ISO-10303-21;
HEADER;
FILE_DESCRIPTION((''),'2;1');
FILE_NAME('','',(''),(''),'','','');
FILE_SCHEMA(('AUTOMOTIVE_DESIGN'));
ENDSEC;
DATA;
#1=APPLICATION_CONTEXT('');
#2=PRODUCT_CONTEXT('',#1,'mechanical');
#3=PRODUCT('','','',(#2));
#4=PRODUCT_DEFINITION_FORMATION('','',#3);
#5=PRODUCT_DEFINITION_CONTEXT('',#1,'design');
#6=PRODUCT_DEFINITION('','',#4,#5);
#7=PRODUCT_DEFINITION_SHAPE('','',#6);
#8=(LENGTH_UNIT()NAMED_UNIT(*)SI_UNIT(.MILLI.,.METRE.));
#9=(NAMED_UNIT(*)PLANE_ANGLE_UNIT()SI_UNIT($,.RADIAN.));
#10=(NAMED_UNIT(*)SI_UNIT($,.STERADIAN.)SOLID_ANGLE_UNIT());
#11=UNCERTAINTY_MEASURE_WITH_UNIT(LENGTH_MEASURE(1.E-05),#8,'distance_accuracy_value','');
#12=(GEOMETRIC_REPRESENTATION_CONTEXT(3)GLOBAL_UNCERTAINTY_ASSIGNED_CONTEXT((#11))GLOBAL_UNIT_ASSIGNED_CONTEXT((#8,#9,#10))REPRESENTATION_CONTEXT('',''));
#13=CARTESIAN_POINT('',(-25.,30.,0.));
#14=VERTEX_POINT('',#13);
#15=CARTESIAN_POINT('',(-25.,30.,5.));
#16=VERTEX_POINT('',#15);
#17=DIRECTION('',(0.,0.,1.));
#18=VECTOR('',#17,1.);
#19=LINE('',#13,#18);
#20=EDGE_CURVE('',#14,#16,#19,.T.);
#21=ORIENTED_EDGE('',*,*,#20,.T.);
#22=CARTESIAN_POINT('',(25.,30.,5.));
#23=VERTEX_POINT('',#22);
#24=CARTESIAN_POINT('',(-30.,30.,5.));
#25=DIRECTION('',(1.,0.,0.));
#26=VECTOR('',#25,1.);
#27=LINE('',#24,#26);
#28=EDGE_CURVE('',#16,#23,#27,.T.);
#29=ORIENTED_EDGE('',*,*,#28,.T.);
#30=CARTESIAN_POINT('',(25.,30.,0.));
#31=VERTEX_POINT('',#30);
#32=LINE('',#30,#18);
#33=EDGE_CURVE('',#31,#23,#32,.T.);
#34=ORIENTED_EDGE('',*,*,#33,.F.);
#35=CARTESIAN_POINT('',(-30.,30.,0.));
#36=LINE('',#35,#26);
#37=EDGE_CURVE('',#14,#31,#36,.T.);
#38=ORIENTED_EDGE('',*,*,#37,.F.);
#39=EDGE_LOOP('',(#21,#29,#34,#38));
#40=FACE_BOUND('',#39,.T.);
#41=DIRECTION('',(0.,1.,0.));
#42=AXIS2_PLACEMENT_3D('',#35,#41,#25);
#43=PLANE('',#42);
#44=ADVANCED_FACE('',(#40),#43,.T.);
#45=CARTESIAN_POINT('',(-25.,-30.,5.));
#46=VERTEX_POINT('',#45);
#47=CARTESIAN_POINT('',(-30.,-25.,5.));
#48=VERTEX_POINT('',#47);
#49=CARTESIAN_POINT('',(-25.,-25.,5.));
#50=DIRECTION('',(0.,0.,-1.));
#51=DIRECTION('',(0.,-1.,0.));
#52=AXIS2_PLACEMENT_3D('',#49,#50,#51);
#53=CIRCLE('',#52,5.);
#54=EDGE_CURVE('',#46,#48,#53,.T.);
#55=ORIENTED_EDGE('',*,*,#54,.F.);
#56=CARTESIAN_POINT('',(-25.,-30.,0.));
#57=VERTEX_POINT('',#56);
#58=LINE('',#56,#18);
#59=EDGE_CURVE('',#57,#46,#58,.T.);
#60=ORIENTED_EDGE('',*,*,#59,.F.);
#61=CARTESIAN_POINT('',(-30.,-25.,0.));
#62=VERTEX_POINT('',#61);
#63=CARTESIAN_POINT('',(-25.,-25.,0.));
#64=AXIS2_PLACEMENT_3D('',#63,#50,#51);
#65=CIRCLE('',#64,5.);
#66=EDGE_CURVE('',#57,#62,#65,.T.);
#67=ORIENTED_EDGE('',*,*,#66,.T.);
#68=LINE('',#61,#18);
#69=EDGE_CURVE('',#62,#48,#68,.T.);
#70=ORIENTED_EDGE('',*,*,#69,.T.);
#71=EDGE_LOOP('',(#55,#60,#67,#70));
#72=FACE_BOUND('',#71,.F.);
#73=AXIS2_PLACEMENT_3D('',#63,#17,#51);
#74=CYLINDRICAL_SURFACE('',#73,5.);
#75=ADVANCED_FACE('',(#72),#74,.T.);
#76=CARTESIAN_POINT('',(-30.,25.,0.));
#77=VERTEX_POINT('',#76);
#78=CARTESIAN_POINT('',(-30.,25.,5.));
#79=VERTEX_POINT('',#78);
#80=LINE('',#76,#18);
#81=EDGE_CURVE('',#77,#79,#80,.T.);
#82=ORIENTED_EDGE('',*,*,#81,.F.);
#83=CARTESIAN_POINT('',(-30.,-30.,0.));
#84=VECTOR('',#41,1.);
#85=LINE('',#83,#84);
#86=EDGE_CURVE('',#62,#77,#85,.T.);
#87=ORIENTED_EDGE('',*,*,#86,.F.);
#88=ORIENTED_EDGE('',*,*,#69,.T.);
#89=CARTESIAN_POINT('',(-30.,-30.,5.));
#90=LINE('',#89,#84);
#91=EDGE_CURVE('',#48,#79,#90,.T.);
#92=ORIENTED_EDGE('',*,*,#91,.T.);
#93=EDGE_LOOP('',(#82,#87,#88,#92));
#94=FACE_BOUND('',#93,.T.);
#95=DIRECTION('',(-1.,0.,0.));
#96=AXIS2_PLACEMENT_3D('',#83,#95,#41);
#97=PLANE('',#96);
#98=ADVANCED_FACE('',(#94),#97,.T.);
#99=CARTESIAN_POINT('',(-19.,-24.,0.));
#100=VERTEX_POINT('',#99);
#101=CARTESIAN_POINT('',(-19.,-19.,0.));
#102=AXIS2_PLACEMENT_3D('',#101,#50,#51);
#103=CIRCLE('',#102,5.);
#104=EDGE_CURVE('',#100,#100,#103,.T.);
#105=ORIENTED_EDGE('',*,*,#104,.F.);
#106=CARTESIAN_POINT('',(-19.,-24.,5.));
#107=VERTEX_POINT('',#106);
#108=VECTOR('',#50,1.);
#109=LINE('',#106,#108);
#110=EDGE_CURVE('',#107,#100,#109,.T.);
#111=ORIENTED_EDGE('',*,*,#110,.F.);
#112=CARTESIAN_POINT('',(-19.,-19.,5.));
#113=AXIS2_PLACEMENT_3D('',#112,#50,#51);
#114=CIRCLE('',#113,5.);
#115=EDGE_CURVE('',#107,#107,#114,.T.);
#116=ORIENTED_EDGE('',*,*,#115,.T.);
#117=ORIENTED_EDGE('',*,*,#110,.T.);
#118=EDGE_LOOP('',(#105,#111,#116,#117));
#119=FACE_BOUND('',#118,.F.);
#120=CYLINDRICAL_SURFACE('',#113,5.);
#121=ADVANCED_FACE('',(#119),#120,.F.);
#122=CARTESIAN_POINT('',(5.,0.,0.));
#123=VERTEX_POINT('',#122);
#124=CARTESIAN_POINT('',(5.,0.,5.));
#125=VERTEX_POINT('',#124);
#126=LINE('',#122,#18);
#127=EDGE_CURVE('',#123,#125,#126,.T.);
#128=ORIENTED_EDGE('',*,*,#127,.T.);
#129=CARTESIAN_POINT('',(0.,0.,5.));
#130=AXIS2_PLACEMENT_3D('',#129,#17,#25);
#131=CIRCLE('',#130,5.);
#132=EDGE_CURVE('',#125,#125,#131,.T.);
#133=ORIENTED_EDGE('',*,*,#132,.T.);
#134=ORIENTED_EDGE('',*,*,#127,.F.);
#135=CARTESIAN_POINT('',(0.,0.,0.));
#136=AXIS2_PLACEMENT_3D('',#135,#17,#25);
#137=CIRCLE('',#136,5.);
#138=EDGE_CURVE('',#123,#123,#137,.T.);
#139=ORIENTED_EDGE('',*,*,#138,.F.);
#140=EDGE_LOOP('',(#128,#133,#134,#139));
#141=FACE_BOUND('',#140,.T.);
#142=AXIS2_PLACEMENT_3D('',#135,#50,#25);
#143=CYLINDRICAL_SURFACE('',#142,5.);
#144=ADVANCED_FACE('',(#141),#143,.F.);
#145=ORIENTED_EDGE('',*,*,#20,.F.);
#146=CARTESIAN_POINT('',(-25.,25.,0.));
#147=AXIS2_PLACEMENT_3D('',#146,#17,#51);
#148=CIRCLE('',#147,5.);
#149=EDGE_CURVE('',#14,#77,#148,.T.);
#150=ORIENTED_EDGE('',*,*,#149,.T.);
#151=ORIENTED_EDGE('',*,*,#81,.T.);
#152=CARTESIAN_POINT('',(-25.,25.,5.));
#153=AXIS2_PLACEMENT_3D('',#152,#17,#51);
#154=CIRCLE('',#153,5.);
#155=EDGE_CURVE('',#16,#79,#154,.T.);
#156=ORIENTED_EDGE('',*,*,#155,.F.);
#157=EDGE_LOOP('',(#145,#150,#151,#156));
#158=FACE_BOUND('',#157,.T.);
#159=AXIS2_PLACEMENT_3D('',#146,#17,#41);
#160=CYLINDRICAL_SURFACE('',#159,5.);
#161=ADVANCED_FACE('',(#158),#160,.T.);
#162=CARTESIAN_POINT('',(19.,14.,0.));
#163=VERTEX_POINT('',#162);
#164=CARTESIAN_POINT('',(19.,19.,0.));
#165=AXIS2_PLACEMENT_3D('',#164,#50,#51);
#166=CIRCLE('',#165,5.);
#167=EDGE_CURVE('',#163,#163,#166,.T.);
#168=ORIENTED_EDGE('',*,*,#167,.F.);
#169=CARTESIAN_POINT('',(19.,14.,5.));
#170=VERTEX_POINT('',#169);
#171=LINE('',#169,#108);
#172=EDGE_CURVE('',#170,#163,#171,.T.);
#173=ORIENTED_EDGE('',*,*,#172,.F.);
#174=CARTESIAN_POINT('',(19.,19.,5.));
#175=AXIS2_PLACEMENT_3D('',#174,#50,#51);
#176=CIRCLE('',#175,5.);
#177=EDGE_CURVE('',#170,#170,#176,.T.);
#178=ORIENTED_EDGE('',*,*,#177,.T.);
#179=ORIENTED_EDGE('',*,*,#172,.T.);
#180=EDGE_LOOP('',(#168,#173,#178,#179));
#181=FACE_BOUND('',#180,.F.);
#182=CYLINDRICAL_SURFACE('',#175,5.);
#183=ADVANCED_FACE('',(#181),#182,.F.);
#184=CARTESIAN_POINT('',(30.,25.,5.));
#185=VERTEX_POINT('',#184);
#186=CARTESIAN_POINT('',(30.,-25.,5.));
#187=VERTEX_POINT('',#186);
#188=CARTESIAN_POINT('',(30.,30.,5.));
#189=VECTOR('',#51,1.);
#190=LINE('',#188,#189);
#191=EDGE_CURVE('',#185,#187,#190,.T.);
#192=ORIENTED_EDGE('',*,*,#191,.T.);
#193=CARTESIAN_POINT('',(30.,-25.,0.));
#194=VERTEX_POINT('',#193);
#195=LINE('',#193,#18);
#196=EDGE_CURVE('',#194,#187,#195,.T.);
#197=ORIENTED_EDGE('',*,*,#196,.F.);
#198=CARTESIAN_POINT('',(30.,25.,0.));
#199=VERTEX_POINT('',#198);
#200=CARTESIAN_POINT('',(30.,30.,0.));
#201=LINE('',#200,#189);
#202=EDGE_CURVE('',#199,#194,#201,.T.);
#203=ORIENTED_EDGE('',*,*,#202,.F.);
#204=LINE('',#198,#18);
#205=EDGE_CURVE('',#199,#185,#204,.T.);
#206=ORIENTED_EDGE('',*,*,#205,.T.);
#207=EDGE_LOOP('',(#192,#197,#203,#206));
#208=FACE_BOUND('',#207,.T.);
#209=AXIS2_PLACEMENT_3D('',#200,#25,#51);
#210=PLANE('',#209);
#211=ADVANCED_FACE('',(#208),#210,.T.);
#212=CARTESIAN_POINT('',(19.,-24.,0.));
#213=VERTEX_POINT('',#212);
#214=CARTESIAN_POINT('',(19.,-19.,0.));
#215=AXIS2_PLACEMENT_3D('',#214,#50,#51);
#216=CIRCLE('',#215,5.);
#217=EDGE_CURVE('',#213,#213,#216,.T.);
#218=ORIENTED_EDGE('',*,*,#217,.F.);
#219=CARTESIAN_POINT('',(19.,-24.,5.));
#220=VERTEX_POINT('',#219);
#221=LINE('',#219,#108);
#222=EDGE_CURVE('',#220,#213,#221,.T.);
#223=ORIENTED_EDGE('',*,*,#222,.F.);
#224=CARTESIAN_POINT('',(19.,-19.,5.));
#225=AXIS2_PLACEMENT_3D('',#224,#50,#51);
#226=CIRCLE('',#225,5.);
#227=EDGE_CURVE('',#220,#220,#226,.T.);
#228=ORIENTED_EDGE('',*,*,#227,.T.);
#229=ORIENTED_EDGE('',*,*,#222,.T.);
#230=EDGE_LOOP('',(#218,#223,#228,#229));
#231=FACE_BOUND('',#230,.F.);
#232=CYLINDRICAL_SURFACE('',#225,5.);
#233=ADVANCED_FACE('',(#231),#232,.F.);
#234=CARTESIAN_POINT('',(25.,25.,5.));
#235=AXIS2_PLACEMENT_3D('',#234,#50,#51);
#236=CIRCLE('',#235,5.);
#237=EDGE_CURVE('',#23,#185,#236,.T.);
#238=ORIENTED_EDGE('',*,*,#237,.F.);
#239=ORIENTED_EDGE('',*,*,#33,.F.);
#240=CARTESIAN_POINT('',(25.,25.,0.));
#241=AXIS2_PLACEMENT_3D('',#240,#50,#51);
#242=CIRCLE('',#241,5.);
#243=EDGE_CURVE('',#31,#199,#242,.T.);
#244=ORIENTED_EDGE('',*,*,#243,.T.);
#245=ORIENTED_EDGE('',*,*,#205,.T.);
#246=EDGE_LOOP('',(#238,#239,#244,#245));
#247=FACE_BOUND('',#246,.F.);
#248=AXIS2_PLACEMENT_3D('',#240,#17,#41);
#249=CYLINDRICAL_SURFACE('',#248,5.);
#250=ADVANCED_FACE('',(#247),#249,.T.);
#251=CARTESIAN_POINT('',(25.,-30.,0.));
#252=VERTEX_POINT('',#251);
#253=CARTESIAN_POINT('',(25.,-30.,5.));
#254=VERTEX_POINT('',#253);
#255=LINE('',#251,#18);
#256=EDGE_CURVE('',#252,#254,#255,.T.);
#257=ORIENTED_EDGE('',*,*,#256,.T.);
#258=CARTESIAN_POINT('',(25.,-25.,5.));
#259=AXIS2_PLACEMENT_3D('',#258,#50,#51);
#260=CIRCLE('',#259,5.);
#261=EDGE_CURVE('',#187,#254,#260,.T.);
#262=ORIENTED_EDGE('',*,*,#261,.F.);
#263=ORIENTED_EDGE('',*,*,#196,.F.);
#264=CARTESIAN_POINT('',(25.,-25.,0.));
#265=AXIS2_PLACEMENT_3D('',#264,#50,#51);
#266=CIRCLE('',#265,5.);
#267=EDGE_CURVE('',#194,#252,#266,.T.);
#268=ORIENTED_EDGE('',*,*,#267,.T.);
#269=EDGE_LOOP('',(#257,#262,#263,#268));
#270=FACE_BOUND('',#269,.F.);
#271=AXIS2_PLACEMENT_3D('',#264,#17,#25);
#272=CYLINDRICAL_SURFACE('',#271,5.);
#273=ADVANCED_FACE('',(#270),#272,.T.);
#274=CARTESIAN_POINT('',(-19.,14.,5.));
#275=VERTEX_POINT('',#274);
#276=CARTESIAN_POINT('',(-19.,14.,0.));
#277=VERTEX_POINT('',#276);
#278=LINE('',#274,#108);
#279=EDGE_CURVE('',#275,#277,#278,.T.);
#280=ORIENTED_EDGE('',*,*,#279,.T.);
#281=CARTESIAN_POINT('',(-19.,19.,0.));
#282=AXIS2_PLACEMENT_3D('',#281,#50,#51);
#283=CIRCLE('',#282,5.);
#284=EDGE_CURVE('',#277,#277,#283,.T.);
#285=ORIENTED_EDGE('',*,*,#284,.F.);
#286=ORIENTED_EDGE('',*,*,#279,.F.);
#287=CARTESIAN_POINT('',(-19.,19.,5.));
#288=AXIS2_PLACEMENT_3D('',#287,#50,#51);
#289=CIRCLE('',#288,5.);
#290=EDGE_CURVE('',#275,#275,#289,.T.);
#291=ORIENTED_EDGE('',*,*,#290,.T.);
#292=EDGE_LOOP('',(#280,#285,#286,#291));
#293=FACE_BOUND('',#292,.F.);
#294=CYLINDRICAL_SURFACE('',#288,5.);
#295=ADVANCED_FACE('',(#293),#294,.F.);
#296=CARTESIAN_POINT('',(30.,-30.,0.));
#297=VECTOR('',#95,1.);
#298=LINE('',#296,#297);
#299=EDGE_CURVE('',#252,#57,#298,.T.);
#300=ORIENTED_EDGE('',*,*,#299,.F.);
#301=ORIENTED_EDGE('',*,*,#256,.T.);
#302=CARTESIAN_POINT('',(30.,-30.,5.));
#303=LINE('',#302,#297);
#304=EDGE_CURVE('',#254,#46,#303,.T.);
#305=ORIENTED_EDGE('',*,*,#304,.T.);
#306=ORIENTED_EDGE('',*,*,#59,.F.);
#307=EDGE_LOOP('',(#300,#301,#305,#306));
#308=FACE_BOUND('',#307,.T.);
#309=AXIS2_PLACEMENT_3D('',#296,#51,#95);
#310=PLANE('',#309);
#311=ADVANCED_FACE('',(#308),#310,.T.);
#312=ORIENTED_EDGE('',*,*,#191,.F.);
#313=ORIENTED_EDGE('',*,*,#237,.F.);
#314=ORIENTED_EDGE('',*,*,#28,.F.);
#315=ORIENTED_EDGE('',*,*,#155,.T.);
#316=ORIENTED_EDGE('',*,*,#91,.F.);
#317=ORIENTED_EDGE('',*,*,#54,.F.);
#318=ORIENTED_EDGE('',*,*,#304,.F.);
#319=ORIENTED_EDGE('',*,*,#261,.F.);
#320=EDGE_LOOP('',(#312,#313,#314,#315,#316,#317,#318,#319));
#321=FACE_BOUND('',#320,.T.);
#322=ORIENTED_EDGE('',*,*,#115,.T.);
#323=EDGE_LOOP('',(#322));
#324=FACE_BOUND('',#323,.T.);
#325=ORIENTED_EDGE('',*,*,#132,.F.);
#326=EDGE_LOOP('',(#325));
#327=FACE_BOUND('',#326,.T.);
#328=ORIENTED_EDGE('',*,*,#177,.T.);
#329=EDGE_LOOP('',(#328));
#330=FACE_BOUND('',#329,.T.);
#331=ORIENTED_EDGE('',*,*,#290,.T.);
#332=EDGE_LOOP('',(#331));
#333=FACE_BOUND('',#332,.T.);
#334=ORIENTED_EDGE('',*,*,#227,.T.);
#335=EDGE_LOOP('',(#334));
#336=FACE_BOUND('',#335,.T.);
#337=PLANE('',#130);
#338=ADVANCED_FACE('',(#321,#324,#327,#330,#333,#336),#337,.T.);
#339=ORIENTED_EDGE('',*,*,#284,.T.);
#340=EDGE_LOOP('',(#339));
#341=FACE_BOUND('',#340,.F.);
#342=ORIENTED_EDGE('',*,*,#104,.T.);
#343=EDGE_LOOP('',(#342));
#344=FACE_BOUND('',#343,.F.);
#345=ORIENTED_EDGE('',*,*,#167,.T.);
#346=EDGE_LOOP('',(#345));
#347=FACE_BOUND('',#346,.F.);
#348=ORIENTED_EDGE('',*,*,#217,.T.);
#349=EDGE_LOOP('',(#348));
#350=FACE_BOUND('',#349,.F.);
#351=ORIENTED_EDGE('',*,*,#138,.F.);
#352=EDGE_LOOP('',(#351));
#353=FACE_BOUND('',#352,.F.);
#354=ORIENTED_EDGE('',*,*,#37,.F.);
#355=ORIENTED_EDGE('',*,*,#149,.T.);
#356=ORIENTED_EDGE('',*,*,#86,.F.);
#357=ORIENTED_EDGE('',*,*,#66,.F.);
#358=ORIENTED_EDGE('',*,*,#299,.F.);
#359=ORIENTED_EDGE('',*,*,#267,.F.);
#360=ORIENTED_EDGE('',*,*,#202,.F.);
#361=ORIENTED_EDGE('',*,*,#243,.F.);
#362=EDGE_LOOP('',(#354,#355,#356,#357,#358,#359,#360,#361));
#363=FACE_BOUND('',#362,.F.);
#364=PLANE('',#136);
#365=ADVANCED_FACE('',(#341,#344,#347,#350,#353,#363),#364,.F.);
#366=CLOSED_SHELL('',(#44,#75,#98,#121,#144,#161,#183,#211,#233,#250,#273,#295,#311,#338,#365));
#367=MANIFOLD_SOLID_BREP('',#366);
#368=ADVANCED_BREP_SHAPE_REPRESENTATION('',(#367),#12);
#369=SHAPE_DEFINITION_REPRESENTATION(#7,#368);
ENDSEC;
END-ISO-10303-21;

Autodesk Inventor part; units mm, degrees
ref_plane "YZ Plane" through (0, 0, 0) normal (1, 0, 0) x (0, 1, 0)
ref_plane "XZ Plane" through (0, 0, 0) normal (0, 1, 0) x (-1, 0, 0)
ref_plane "XY Plane" through (0, 0, 0) normal (0, 0, 1) x (1, 0, 0)
sketch "Schizzo1" plane through (0, 0, 0) normal (0, 0, 1) x (1, 0, 0)
  line L0 (-30, 30) -> (30, 30)
  line L1 (30, 30) -> (30, -30)
  line L2 (30, -30) -> (-30, -30)
  line L3 (-30, -30) -> (-30, 30)
  line L4 (-30, 30) -> (30, -30) construction
  line L5 (30, 30) -> (-30, -30) construction
  circle A0 centre (0, 0) radius 5
  dimension "d0" = 60
  dimension "d1" = 60
  dimension "d5" = 10
extrude "Estrusione2" add sketch "Schizzo1" along normal blind 5
fillet "Raccordo2" radius 5 4 edges at (-30, 30, 2.5) (30, 30, 2.5) (30, -30, 2.5) (-30, -30, 2.5)
sketch "Schizzo3" plane through (0, 0, 5) normal (0, 0, 1) x (1, 0, 0)
  circle A0 centre (19, -19) radius 6.4 projected
  circle A1 centre (-19, -19) radius 4.5 projected
  circle A2 centre (19, 19) radius 4.5 projected
  circle A3 centre (-19, 19) radius 3 projected
  point P0 (0, 0)
hole "Foro1" at (19, -19, 5) at (19, 19, 5) at (-19, 19, 5) at (-19, -19, 5) direction (0, 0, -1) diameter 10 end through all
properties part number "Piastra supporto pistone lama"
